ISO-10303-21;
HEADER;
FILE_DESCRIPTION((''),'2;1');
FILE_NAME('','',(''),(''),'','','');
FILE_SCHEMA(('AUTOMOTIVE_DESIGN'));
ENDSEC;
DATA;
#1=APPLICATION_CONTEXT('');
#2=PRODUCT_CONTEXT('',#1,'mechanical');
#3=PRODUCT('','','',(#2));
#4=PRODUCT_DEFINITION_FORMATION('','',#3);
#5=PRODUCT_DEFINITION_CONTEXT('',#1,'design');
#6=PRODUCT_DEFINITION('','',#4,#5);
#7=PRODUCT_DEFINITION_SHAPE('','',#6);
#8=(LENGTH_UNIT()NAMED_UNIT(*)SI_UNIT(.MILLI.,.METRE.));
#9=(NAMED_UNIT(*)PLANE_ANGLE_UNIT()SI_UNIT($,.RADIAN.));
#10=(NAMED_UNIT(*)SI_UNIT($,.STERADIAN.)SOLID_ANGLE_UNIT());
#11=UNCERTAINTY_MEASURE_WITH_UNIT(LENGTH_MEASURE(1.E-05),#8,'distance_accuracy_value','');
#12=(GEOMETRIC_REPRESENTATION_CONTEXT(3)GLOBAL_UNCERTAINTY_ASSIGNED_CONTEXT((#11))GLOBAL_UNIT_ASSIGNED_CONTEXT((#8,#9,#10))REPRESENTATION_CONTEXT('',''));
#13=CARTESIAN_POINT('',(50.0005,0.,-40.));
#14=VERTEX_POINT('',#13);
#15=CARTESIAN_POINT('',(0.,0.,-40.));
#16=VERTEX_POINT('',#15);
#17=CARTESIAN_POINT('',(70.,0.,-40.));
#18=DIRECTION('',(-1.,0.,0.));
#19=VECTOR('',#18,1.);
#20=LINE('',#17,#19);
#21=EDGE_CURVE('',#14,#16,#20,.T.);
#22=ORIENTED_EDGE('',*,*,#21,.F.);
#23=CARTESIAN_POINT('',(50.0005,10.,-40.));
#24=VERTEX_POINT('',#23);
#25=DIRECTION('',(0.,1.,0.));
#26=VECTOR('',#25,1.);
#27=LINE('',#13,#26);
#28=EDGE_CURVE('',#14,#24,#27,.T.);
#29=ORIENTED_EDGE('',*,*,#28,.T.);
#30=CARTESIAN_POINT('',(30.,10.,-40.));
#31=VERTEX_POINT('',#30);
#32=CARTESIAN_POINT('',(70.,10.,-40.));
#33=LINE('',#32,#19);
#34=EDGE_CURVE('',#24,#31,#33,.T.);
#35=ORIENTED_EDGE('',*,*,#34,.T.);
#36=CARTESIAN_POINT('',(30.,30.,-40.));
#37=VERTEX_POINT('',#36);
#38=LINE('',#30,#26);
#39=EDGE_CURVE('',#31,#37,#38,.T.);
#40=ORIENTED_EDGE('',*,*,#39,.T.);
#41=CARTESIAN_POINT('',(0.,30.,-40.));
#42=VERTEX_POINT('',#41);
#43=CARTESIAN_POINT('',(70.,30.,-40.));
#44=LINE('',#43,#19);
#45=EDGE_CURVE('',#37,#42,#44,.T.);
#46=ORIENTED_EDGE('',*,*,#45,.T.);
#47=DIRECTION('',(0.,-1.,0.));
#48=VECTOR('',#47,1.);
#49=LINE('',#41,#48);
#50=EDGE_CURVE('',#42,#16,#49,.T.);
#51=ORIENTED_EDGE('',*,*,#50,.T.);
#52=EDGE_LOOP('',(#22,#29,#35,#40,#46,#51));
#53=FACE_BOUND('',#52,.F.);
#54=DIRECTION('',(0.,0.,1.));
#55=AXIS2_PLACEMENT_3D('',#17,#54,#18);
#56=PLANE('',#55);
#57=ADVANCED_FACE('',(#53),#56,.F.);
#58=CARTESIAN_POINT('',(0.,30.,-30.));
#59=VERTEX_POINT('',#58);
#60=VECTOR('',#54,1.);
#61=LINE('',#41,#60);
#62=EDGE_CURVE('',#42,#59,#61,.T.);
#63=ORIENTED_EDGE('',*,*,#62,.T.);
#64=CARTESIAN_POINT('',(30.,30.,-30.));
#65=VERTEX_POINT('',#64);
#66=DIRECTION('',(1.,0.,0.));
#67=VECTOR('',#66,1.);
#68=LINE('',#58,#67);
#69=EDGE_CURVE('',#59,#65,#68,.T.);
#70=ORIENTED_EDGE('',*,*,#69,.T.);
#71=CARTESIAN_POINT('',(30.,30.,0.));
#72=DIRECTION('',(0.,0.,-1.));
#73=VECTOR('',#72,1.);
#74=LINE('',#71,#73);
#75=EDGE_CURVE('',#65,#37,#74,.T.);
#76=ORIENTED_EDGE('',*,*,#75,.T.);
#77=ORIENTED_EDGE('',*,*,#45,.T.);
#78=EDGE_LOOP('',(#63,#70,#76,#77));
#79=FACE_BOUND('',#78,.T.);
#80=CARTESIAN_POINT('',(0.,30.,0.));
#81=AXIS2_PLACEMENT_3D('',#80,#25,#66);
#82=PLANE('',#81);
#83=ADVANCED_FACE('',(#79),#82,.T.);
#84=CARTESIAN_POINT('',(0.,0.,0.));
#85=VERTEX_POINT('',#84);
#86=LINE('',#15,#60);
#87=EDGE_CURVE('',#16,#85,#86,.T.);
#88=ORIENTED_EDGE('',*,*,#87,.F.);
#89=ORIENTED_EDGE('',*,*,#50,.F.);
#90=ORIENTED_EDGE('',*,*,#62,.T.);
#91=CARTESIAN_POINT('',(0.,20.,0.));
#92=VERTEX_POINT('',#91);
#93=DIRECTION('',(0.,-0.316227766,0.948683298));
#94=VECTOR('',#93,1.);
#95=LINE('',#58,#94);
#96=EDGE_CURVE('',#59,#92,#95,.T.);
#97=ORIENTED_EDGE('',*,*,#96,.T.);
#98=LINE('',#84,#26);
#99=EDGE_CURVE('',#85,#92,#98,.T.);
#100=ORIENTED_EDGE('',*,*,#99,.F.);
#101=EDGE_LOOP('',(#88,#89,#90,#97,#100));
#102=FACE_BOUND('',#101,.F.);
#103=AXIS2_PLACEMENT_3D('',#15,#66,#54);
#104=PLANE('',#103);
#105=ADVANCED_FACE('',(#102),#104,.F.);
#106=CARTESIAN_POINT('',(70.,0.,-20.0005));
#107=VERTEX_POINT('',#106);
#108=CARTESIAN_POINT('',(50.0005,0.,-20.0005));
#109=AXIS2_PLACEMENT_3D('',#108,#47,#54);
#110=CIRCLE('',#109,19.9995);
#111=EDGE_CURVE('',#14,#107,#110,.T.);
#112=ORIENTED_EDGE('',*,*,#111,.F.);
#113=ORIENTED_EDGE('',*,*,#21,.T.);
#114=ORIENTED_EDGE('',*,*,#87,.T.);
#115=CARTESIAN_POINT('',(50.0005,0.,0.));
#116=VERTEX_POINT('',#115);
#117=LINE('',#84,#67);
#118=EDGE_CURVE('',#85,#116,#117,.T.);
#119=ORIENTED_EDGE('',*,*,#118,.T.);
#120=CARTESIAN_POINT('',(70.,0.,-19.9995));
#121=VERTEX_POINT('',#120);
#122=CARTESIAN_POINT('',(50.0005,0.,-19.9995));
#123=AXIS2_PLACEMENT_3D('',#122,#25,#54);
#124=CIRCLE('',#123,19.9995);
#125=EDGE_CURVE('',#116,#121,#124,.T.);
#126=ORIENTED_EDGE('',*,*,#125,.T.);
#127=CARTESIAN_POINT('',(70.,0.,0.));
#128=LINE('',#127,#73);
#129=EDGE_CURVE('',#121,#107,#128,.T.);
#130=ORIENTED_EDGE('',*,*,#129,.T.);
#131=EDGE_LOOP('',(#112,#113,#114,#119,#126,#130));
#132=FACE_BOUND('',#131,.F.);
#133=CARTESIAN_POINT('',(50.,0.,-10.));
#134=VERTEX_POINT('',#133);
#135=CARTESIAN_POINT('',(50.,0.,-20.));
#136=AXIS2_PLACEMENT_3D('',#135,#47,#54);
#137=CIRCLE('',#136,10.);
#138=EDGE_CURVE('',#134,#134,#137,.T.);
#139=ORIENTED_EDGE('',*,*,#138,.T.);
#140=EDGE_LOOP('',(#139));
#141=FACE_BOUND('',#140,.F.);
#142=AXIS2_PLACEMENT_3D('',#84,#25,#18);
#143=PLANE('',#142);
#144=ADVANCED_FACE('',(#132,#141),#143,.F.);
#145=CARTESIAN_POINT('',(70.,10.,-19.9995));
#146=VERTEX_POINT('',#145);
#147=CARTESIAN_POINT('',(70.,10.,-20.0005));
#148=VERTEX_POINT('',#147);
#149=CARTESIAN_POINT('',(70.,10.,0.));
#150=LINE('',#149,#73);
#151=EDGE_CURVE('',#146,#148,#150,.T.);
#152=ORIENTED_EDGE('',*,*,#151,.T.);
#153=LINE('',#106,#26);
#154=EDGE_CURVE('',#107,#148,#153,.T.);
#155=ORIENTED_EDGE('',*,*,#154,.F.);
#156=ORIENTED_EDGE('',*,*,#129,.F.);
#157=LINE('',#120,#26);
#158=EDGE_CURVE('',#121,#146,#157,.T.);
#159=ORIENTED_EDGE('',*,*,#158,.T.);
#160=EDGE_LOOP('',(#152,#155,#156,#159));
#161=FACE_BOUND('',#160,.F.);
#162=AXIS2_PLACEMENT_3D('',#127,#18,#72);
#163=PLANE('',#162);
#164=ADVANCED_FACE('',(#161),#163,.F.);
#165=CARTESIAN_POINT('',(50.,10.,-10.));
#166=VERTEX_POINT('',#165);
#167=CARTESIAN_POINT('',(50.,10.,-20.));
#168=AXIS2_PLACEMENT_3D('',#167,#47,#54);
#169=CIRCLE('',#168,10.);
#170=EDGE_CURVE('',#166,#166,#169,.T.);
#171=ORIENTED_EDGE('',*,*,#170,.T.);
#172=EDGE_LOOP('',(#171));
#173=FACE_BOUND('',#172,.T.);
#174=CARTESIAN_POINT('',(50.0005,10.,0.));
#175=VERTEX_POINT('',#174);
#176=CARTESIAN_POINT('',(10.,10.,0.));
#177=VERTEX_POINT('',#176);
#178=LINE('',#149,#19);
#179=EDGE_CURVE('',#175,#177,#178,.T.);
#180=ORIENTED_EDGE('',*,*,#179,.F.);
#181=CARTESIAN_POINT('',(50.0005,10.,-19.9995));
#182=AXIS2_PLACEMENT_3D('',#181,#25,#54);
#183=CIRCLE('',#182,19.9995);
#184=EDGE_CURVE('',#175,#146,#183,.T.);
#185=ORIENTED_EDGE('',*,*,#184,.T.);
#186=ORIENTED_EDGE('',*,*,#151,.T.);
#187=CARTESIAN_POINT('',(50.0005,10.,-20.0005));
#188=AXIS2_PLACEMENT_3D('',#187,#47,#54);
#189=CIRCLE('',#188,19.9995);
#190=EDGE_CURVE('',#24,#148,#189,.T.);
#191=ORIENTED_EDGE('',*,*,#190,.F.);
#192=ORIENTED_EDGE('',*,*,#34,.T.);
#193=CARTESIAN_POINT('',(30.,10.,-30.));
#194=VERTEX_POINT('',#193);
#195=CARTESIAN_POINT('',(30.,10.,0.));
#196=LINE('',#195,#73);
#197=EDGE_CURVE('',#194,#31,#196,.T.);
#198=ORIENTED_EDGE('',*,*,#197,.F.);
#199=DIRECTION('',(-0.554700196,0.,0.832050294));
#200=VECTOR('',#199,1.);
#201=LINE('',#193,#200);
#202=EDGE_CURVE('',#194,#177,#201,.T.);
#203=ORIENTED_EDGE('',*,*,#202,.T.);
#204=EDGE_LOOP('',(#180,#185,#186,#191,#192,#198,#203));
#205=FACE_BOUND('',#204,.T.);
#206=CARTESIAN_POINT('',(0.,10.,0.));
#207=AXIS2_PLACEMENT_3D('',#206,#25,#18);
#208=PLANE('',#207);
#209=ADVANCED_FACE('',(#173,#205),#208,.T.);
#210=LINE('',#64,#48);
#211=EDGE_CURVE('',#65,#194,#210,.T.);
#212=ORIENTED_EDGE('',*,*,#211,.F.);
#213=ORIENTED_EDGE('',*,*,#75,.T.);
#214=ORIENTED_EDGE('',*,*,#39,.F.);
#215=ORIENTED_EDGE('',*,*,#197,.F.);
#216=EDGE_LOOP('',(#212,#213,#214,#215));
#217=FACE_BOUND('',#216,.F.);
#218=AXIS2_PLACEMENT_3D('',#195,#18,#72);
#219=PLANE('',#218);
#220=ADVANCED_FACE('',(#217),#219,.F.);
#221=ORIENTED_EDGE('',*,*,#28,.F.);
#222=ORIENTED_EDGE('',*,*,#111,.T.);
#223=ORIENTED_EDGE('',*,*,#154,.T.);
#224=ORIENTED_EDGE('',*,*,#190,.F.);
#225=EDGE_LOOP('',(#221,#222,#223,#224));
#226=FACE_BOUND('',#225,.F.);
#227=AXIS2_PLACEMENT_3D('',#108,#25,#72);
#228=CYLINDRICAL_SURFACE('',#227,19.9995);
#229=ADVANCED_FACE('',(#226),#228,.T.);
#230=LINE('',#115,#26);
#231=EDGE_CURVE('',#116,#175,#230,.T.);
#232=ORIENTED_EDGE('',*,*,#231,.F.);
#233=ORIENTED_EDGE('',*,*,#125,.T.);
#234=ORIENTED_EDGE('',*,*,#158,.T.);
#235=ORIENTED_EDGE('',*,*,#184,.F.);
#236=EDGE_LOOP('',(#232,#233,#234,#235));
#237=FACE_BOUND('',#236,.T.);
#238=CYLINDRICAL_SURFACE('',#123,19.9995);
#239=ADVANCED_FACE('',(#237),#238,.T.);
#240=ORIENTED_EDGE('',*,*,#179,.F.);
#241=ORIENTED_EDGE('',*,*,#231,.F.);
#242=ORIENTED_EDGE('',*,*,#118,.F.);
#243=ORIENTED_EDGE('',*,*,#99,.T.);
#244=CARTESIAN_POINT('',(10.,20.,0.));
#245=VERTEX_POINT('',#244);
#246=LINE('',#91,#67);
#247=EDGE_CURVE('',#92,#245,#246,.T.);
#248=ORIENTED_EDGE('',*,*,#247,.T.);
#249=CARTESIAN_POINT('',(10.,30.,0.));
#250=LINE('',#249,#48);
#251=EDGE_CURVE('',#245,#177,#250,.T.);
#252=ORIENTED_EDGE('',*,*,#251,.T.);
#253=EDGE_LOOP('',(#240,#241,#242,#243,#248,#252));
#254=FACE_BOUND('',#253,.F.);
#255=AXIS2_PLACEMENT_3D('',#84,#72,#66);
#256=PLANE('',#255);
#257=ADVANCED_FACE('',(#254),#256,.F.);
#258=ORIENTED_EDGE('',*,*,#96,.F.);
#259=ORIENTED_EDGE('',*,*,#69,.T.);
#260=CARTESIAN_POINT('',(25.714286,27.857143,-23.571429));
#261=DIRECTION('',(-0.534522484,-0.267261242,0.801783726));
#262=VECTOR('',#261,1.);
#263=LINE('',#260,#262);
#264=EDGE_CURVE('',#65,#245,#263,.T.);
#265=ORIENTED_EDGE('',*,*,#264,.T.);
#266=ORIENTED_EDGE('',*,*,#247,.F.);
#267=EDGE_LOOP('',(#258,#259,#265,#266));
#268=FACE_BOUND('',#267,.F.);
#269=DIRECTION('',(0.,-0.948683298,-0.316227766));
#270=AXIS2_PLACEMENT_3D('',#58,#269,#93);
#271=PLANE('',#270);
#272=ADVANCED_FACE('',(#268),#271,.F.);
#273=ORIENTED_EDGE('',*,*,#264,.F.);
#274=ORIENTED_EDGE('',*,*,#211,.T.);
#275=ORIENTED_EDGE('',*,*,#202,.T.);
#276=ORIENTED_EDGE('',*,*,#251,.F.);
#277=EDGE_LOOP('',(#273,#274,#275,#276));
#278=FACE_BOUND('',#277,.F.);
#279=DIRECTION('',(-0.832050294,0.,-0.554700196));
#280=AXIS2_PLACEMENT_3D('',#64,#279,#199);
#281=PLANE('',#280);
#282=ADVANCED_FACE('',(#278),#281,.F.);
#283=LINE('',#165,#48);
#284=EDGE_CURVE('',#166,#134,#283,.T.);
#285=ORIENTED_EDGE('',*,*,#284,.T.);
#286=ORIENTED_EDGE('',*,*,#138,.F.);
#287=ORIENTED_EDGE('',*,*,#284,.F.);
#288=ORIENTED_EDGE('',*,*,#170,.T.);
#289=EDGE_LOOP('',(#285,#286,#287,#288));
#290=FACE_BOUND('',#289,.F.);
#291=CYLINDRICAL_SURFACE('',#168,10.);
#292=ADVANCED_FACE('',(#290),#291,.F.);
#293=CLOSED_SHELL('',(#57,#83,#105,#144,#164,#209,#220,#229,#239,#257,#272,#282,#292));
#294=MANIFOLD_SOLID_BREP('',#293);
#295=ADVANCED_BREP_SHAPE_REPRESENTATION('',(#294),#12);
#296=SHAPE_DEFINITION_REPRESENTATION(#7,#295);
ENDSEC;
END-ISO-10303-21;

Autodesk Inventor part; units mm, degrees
ref_plane "YZ Plane" through (0, 0, 0) normal (1, 0, 0) x (0, 1, 0)
ref_plane "XZ Plane" through (0, 0, 0) normal (0, 1, 0) x (-1, 0, 0)
ref_plane "XY Plane" through (0, 0, 0) normal (0, 0, 1) x (1, 0, 0)
sketch "草圖1" plane through (0, 0, 0) normal (0, 1, 0) x (-1, 0, 0)
  line L0 (0, 0) -> (-70, 0)
  line L1 (-70, 0) -> (-70, -40)
  line L2 (-70, -40) -> (0, -40)
  line L3 (0, -40) -> (0, 0)
  dimension "d0" = 40
  dimension "d1" = 70
extrude "擠出1" add sketch "草圖1" along normal blind 10
sketch "草圖2" plane through (0, 10, 0) normal (0, 1, 0) x (1, 0, 0)
  line L0 (0, 0) -> (70, 0) projected
  line L1 (70, 40) -> (0, 40) projected
  line L2 (0, 0) -> (30, 0)
  line L3 (30, 0) -> (30, 40)
  line L4 (30, 40) -> (0, 40)
  line L5 (0, 40) -> (0, 0)
  dimension "d4" = 30
extrude "擠出2" add sketch "草圖2" along normal blind 20
sketch "草圖3" plane through (0, 30, 0) normal (0, 1, 0) x (1, 0, 0)
  line L0 (30, 30) -> (10, 0)
  line L1 (0, 0) -> (70, 0) projected
  line L2 (30, 0) -> (30, 30)
  line L3 (30, 0) -> (30, 40) projected
  line L4 (30, 0) -> (10, 0)
  dimension "d7" = 20
  dimension "d8" = 30
extrude "擠出3" cut sketch "草圖3" against normal blind 20
sketch "草圖4" plane through (0, 0, -40) normal (-1, 0, 0) x (0, 0, 1)
  line L0 (-20, 30) -> (40, 30)
  line L1 (10, 30) -> (40, 20)
  line L2 (40, 0) -> (40, 30) projected
  dimension "d11" = 10
  dimension "d12" = 30
extrude "擠出4" cut sketch "草圖4" against normal through all
fillet "圓角1" radius 20 2 edges at (70, 5, 0) (70, 5, -40)
hole "孔1" at (50, 10, -20) direction (0, -1, 0) diameter 20 depth 10 tip angle 118
properties part number "27"
